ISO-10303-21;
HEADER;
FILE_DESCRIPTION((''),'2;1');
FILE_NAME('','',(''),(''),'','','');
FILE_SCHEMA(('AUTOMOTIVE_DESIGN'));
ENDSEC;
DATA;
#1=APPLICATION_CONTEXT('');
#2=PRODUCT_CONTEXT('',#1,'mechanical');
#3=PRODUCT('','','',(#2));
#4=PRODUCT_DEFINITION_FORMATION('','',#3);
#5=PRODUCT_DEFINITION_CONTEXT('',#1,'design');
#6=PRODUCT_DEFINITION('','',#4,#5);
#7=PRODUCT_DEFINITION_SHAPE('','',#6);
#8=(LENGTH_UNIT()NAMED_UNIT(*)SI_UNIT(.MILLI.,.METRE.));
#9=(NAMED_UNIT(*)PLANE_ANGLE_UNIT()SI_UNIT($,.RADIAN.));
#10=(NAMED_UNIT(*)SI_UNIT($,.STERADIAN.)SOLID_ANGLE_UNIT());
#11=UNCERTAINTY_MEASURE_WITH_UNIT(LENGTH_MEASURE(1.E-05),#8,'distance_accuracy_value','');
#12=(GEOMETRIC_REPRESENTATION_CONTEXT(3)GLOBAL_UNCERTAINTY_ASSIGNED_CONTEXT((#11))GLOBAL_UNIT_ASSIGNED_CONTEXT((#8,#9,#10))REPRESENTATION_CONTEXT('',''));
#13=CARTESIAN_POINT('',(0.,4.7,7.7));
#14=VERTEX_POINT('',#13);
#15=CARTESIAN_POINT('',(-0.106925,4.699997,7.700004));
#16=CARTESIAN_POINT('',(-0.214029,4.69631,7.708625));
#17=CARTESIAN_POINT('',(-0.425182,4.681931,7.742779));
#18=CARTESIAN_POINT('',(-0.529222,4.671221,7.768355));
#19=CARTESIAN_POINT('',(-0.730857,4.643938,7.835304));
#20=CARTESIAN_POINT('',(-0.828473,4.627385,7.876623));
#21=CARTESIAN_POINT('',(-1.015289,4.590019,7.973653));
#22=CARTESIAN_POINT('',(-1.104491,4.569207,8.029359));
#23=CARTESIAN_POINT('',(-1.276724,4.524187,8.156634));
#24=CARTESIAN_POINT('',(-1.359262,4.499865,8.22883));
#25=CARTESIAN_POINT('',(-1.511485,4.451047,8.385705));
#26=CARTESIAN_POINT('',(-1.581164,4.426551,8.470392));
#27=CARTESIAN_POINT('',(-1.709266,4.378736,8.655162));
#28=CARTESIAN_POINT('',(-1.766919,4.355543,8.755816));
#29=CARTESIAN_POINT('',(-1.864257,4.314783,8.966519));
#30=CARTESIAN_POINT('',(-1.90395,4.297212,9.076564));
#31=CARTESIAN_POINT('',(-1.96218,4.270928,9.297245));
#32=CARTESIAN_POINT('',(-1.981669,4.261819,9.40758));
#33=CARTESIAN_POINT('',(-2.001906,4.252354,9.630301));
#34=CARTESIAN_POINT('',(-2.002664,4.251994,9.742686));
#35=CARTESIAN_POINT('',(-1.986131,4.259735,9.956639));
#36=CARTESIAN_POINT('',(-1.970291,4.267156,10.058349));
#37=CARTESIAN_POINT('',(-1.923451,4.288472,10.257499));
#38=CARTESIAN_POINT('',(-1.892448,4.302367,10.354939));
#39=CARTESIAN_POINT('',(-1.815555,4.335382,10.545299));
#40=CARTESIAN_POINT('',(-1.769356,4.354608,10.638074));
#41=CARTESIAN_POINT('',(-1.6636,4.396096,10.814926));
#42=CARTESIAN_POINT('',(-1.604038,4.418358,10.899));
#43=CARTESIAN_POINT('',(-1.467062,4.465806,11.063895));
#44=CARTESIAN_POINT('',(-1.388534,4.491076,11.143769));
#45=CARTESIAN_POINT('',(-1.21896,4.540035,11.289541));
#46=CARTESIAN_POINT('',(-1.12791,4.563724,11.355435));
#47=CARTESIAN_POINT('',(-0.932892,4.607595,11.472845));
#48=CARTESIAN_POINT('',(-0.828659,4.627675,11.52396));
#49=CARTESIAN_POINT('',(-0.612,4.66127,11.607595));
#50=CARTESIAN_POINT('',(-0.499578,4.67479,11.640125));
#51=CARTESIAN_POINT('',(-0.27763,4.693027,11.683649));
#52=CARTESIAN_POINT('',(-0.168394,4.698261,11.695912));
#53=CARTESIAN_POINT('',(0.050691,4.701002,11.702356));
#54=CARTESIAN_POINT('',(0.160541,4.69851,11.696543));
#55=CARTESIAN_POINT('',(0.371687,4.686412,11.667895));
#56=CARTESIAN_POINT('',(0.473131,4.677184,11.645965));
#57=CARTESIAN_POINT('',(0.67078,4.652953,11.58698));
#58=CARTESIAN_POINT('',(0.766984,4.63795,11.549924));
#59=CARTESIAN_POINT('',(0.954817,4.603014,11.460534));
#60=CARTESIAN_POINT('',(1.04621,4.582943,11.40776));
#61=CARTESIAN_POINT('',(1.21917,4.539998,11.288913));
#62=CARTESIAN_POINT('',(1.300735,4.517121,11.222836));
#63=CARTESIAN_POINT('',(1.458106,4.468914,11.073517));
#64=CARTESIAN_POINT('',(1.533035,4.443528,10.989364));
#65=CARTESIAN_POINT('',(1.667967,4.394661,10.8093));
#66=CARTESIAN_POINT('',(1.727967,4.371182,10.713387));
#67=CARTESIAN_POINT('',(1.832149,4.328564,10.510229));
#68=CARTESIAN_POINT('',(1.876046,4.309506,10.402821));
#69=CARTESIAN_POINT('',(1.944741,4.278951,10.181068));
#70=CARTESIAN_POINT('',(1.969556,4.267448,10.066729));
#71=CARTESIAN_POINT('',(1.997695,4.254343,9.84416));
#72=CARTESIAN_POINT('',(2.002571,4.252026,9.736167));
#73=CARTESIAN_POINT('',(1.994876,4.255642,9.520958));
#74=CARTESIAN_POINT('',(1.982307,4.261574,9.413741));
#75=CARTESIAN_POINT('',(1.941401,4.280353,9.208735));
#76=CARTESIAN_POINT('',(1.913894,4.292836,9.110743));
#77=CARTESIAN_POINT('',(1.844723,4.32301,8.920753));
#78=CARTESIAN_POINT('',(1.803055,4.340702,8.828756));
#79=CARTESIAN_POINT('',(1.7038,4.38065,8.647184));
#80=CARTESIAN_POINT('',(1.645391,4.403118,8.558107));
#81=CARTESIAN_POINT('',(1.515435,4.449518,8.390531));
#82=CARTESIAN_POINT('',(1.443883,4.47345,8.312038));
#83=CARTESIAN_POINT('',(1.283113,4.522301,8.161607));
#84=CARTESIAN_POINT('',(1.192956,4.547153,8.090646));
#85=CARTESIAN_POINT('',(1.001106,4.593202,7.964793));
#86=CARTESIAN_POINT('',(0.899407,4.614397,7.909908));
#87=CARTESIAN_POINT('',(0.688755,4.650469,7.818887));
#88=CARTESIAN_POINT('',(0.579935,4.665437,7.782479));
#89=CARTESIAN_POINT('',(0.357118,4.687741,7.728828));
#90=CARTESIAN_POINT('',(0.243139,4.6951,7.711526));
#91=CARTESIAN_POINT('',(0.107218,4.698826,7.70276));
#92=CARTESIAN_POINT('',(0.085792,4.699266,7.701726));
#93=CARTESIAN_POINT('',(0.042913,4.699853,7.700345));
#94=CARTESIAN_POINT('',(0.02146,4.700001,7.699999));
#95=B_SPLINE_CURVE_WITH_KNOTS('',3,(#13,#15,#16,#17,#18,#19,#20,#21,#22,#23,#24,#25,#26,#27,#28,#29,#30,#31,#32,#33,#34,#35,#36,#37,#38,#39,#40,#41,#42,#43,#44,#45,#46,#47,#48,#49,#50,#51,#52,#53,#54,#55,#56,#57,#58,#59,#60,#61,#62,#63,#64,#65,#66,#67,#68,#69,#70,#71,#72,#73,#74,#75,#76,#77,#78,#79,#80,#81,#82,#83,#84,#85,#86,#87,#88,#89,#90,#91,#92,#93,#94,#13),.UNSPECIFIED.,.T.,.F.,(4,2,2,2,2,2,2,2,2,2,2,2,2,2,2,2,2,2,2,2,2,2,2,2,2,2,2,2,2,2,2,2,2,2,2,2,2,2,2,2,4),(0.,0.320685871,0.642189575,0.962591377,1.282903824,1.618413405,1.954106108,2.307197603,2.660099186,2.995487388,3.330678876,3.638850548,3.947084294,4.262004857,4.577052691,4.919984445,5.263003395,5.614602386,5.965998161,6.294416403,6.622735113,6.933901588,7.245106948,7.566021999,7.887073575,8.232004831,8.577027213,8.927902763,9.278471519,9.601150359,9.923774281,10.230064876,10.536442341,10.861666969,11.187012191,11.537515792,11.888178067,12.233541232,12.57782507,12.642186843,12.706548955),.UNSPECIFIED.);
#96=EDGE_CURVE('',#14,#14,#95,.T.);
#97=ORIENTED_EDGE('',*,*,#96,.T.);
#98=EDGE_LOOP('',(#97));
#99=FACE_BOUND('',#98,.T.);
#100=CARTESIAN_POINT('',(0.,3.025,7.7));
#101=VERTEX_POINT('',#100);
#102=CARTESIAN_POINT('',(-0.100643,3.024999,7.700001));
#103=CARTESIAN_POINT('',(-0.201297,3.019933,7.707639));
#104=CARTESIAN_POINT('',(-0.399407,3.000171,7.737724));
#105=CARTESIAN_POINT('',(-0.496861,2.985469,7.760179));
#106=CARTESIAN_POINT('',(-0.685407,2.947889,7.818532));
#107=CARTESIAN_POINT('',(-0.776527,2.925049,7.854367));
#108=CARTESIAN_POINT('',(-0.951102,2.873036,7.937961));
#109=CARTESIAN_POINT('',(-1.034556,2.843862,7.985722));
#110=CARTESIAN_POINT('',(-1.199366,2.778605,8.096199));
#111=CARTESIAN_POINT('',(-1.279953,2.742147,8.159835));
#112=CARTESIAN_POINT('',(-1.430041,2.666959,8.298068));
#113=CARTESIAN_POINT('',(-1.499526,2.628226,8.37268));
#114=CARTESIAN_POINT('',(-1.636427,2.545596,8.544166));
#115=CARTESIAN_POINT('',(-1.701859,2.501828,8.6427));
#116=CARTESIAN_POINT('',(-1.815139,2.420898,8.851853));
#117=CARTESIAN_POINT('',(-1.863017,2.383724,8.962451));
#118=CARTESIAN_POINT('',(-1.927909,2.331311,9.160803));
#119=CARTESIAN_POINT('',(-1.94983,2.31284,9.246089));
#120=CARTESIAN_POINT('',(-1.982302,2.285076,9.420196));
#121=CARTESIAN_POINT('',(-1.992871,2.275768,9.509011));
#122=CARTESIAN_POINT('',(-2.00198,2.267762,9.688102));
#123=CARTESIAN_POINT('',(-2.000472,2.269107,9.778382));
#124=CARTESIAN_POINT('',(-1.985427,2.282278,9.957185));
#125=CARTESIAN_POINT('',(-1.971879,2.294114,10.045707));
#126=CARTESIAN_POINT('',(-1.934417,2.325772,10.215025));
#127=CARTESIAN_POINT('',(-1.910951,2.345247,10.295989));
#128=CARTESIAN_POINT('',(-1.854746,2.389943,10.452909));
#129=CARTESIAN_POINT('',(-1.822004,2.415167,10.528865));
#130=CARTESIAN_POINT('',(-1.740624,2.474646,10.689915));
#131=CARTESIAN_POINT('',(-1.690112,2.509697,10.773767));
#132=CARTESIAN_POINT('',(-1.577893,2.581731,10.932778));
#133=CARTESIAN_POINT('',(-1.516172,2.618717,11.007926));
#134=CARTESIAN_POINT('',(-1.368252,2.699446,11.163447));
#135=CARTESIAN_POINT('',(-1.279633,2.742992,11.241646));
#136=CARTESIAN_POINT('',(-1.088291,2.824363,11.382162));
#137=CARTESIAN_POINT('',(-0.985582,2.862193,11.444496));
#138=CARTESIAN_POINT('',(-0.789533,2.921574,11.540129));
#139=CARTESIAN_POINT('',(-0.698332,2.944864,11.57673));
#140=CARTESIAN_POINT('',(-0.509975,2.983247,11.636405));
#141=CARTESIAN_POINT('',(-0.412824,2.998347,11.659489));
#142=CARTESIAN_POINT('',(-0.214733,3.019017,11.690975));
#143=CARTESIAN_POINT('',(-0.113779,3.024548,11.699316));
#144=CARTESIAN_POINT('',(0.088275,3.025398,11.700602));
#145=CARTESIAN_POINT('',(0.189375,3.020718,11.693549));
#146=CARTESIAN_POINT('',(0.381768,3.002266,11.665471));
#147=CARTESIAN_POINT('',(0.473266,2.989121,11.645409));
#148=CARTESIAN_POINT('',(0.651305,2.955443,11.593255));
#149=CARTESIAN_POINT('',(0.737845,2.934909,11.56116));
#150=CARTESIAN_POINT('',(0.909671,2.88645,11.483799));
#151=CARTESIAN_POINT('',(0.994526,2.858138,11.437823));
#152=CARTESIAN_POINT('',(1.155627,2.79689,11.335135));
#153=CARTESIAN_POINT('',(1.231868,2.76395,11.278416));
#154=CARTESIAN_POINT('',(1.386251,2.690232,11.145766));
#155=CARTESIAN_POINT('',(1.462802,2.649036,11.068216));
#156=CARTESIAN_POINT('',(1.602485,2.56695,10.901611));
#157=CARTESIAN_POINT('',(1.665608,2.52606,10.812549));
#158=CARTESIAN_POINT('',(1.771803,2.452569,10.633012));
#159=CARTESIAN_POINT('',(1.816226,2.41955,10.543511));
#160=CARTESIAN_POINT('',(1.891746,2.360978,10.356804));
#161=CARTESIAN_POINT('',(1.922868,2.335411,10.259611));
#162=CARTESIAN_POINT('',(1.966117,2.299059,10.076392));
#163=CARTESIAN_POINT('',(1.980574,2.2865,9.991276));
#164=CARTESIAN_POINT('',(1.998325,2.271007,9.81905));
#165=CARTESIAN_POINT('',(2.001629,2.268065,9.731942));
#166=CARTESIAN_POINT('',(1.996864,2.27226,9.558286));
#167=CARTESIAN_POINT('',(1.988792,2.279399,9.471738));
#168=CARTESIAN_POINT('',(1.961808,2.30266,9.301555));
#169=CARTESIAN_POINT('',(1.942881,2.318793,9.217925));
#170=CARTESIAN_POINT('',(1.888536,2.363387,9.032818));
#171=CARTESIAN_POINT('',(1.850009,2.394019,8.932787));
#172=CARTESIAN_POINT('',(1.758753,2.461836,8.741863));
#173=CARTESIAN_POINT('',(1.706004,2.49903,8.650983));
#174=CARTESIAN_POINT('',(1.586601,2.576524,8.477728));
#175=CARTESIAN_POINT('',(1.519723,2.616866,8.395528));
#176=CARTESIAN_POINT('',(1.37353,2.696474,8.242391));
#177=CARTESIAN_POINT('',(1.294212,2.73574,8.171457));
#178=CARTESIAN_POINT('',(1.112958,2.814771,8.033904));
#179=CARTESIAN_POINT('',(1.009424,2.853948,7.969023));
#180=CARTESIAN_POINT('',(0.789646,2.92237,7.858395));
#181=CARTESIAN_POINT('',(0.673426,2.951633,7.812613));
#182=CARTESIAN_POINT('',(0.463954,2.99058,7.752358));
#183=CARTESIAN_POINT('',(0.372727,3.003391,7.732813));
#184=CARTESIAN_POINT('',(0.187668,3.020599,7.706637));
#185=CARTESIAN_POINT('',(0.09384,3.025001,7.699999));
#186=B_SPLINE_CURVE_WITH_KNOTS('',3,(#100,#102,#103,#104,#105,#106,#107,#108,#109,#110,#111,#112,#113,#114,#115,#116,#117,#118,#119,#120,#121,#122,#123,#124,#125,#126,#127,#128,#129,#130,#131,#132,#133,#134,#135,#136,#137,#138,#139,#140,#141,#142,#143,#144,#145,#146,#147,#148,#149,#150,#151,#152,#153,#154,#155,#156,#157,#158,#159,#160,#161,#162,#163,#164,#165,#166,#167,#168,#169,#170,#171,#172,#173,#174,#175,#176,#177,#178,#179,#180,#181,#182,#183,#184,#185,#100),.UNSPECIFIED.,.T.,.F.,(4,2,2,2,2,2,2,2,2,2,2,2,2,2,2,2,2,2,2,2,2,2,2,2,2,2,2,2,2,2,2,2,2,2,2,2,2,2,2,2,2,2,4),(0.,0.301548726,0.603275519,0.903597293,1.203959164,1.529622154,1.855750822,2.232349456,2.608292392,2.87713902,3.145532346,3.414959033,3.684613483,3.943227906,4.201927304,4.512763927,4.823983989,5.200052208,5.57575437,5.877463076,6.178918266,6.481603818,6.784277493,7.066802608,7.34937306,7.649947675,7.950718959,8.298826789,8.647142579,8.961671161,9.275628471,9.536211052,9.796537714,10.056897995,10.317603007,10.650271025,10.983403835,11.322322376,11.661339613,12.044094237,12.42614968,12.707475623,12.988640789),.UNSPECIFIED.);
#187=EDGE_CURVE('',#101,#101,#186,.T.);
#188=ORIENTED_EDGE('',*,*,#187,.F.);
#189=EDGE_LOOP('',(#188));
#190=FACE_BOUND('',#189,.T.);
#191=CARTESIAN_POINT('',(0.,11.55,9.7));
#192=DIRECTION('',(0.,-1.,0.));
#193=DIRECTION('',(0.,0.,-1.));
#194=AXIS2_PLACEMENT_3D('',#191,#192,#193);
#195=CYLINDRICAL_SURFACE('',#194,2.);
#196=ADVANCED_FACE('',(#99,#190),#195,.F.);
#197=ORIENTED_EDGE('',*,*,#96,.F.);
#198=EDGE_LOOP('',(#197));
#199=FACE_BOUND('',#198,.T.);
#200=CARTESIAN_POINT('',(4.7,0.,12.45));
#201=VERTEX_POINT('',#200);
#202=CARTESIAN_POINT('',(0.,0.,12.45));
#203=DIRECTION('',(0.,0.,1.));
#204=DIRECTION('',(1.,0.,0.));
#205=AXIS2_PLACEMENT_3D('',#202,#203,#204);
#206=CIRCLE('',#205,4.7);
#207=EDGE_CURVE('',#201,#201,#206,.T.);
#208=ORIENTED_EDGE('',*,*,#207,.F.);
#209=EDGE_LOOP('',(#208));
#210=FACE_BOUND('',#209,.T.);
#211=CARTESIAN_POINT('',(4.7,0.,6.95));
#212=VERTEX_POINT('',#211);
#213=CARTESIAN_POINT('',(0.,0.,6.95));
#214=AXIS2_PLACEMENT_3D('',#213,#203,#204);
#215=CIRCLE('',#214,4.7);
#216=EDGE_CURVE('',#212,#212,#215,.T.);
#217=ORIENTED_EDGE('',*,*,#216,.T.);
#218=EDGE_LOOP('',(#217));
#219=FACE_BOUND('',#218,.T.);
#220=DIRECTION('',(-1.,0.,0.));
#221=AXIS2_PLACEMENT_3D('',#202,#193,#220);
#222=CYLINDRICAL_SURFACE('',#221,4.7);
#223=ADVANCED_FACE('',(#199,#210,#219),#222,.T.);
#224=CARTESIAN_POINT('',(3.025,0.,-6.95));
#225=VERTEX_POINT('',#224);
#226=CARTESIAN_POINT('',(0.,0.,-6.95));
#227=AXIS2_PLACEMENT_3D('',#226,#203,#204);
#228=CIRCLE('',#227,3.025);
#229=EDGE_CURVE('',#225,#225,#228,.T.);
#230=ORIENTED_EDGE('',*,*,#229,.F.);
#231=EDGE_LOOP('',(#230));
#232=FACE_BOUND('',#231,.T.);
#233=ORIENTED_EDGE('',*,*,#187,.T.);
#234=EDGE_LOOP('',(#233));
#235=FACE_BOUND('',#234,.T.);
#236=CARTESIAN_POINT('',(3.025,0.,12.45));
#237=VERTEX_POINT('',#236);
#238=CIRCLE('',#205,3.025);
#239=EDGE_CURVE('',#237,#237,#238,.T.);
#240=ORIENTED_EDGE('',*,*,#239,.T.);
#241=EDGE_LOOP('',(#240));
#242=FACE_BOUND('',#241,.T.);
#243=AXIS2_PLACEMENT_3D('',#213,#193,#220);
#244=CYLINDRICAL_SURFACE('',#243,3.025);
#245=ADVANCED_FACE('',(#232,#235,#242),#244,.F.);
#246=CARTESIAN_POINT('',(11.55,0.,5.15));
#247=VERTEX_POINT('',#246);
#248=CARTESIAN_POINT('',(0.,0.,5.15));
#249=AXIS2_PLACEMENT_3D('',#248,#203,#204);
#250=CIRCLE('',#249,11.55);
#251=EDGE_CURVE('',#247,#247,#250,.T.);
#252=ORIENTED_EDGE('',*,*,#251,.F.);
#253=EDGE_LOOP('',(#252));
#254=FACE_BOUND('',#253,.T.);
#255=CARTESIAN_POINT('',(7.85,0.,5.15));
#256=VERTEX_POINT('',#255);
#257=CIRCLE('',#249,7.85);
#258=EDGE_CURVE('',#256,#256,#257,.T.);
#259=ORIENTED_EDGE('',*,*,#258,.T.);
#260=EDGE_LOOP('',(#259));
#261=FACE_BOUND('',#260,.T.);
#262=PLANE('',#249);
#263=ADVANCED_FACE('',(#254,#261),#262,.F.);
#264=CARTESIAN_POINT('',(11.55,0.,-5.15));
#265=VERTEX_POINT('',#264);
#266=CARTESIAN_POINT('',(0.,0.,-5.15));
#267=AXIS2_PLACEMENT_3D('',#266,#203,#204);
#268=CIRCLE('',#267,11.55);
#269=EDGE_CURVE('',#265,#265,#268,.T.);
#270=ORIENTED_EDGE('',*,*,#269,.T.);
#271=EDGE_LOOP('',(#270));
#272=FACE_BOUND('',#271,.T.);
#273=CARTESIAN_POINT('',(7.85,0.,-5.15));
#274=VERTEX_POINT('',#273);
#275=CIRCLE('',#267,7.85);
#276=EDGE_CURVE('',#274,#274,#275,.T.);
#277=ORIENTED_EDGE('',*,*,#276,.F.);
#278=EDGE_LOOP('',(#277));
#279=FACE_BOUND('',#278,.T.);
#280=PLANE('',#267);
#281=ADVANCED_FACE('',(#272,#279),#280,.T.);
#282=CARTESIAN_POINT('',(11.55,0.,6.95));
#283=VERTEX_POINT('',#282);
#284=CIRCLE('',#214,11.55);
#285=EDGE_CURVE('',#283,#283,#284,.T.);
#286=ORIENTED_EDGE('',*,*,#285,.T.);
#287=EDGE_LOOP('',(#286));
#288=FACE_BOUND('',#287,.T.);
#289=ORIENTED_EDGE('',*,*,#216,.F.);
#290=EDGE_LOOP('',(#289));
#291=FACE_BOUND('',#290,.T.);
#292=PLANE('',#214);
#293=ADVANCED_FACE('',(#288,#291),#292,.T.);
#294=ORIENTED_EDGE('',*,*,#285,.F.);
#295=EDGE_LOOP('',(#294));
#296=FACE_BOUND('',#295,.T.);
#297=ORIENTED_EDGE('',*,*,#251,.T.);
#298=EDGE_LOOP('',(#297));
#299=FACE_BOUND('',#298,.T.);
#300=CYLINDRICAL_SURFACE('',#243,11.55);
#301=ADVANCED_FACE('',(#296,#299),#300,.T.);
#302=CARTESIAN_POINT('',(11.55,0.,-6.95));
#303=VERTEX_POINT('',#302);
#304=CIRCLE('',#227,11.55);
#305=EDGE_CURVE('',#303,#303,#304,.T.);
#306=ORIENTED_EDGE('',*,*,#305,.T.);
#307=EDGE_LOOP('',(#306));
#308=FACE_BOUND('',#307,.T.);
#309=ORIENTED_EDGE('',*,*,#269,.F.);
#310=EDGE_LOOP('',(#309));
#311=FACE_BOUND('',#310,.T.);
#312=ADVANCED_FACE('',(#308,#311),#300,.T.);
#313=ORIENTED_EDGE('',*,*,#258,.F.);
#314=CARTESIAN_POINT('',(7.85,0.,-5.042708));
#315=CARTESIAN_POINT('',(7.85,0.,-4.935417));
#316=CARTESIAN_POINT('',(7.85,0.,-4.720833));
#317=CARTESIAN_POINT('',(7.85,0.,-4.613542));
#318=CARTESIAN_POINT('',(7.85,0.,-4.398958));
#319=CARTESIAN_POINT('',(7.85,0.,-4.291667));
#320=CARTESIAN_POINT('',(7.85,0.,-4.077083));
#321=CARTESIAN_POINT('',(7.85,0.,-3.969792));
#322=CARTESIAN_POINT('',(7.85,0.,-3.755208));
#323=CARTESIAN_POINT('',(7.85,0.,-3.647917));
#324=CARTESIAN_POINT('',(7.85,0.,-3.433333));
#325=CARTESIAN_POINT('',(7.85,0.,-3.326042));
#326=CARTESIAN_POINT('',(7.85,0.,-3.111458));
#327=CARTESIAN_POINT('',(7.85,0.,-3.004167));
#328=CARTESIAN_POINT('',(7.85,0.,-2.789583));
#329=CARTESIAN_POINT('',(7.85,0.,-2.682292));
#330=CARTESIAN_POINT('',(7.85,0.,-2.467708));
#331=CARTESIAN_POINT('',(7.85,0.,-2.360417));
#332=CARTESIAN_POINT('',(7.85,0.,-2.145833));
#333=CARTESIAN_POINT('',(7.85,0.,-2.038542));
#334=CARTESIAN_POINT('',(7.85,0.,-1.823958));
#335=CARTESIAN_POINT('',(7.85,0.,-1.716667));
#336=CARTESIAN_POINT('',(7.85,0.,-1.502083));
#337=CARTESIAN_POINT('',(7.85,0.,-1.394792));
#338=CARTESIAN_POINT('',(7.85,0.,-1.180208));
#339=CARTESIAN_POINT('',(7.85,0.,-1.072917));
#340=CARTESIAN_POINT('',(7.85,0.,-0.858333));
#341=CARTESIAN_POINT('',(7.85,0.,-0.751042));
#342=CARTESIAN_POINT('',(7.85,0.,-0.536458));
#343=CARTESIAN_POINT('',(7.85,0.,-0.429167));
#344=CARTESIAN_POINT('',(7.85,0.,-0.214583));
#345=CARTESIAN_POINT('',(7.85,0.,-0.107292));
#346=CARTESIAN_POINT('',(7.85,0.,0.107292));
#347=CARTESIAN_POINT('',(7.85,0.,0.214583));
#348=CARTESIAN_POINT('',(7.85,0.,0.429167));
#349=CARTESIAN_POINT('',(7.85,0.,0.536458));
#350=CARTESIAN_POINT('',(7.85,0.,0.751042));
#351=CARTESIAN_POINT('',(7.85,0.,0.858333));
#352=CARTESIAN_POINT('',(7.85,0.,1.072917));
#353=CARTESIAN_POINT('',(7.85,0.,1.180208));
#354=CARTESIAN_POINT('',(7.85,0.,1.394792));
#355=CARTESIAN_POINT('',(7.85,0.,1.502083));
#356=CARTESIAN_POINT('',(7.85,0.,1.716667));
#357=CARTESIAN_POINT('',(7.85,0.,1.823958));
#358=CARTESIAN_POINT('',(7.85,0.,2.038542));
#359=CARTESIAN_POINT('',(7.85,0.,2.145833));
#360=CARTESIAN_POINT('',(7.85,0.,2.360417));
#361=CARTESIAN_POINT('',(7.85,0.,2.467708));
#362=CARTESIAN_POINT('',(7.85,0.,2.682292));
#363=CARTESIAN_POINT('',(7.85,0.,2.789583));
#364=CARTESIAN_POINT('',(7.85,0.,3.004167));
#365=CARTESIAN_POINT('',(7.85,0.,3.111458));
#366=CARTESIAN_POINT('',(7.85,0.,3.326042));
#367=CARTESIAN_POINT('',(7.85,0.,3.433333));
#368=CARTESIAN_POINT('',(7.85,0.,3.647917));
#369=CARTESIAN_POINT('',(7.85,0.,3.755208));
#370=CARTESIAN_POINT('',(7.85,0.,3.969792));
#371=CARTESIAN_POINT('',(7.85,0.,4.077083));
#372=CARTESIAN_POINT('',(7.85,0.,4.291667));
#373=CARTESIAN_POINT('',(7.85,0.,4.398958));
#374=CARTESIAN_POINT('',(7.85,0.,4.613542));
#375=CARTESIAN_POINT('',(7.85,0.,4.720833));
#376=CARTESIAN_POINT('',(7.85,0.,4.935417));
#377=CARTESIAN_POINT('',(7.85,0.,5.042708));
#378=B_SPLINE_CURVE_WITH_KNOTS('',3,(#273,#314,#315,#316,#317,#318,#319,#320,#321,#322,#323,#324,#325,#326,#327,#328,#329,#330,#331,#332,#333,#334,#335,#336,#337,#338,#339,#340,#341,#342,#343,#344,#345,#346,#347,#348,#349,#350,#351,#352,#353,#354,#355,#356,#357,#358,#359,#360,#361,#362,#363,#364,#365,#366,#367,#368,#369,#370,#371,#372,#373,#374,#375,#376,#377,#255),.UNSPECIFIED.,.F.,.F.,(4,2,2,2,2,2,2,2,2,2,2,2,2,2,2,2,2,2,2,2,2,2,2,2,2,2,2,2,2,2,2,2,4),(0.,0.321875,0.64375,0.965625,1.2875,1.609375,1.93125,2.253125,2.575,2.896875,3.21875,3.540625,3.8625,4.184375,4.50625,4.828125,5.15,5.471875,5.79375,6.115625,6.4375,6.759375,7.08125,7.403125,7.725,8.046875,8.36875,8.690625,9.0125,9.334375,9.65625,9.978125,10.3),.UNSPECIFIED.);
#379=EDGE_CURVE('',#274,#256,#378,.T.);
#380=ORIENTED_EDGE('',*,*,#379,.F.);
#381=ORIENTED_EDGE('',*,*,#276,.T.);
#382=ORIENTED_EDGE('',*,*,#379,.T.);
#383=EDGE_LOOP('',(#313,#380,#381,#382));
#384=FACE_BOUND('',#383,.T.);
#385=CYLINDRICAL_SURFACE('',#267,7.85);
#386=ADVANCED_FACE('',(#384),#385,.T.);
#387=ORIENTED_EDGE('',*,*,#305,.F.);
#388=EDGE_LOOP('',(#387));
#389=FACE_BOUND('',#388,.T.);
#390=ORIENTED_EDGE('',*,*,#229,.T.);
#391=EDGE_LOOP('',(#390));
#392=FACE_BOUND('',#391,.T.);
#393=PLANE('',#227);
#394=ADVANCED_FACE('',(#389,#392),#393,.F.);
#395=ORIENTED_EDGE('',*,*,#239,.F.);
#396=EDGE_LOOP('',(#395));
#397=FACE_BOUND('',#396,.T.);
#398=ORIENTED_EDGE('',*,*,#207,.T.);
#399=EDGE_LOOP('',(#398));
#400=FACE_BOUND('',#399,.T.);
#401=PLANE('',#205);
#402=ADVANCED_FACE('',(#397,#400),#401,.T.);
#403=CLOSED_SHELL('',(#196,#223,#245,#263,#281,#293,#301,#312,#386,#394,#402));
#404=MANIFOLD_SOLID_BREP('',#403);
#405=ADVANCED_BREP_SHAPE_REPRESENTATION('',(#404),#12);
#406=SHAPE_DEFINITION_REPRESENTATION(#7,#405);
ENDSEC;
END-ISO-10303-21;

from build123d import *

# Parameters (mm, degrees)
ESQUISSE1_R             = 11.55
ESQUISSE1_R_2           = 3.025
BOSS_EXTRU_1_DEPTH      = 6.95
ESQUISSE2_R             = 13.660407535
ESQUISSE2_R_2           = 7.85
ENL_V_MAT_EXTRU_1_DEPTH = 5.15
ESQUISSE4_R             = 4.7
ESQUISSE4_R_2           = 3.025
BOSS_EXTRU_2_DEPTH      = 5.5
ESQUISSE5_R             = 2
ENL_V_MAT_EXTRU_3_DEPTH = 21.537952673


with BuildPart() as part:
    # Esquisse1 → Boss.-Extru.1 (new, symmetric)
    with BuildSketch(Plane.XY):
        Circle(ESQUISSE1_R)
        Circle(ESQUISSE1_R_2, mode=Mode.SUBTRACT)
    extrude(amount=BOSS_EXTRU_1_DEPTH, both=True)

    # Esquisse2 → Enlèv. mat.-Extru.1 (cut, symmetric)
    with BuildSketch(Plane.XY):
        Circle(ESQUISSE2_R)
        Circle(ESQUISSE2_R_2, mode=Mode.SUBTRACT)
    extrude(amount=ENL_V_MAT_EXTRU_1_DEPTH, both=True, mode=Mode.SUBTRACT)

    # Esquisse4 → Boss.-Extru.2 (add)
    with BuildSketch(Plane.XY.offset(6.95)):
        Circle(ESQUISSE4_R)
        Circle(ESQUISSE4_R_2, mode=Mode.SUBTRACT)
    extrude(amount=BOSS_EXTRU_2_DEPTH)

    # Esquisse5 → Enlèv. mat.-Extru.3 (cut, through all)
    with BuildSketch(Plane(origin=(0, 0, 0), x_dir=(1, 0, 0), z_dir=(0, 1, 0))):
        with Locations(Location((0, -9.7, 0), (0, 0, 90))):
            Circle(ESQUISSE5_R)
    extrude(amount=ENL_V_MAT_EXTRU_3_DEPTH, mode=Mode.SUBTRACT)


solid = part.part
